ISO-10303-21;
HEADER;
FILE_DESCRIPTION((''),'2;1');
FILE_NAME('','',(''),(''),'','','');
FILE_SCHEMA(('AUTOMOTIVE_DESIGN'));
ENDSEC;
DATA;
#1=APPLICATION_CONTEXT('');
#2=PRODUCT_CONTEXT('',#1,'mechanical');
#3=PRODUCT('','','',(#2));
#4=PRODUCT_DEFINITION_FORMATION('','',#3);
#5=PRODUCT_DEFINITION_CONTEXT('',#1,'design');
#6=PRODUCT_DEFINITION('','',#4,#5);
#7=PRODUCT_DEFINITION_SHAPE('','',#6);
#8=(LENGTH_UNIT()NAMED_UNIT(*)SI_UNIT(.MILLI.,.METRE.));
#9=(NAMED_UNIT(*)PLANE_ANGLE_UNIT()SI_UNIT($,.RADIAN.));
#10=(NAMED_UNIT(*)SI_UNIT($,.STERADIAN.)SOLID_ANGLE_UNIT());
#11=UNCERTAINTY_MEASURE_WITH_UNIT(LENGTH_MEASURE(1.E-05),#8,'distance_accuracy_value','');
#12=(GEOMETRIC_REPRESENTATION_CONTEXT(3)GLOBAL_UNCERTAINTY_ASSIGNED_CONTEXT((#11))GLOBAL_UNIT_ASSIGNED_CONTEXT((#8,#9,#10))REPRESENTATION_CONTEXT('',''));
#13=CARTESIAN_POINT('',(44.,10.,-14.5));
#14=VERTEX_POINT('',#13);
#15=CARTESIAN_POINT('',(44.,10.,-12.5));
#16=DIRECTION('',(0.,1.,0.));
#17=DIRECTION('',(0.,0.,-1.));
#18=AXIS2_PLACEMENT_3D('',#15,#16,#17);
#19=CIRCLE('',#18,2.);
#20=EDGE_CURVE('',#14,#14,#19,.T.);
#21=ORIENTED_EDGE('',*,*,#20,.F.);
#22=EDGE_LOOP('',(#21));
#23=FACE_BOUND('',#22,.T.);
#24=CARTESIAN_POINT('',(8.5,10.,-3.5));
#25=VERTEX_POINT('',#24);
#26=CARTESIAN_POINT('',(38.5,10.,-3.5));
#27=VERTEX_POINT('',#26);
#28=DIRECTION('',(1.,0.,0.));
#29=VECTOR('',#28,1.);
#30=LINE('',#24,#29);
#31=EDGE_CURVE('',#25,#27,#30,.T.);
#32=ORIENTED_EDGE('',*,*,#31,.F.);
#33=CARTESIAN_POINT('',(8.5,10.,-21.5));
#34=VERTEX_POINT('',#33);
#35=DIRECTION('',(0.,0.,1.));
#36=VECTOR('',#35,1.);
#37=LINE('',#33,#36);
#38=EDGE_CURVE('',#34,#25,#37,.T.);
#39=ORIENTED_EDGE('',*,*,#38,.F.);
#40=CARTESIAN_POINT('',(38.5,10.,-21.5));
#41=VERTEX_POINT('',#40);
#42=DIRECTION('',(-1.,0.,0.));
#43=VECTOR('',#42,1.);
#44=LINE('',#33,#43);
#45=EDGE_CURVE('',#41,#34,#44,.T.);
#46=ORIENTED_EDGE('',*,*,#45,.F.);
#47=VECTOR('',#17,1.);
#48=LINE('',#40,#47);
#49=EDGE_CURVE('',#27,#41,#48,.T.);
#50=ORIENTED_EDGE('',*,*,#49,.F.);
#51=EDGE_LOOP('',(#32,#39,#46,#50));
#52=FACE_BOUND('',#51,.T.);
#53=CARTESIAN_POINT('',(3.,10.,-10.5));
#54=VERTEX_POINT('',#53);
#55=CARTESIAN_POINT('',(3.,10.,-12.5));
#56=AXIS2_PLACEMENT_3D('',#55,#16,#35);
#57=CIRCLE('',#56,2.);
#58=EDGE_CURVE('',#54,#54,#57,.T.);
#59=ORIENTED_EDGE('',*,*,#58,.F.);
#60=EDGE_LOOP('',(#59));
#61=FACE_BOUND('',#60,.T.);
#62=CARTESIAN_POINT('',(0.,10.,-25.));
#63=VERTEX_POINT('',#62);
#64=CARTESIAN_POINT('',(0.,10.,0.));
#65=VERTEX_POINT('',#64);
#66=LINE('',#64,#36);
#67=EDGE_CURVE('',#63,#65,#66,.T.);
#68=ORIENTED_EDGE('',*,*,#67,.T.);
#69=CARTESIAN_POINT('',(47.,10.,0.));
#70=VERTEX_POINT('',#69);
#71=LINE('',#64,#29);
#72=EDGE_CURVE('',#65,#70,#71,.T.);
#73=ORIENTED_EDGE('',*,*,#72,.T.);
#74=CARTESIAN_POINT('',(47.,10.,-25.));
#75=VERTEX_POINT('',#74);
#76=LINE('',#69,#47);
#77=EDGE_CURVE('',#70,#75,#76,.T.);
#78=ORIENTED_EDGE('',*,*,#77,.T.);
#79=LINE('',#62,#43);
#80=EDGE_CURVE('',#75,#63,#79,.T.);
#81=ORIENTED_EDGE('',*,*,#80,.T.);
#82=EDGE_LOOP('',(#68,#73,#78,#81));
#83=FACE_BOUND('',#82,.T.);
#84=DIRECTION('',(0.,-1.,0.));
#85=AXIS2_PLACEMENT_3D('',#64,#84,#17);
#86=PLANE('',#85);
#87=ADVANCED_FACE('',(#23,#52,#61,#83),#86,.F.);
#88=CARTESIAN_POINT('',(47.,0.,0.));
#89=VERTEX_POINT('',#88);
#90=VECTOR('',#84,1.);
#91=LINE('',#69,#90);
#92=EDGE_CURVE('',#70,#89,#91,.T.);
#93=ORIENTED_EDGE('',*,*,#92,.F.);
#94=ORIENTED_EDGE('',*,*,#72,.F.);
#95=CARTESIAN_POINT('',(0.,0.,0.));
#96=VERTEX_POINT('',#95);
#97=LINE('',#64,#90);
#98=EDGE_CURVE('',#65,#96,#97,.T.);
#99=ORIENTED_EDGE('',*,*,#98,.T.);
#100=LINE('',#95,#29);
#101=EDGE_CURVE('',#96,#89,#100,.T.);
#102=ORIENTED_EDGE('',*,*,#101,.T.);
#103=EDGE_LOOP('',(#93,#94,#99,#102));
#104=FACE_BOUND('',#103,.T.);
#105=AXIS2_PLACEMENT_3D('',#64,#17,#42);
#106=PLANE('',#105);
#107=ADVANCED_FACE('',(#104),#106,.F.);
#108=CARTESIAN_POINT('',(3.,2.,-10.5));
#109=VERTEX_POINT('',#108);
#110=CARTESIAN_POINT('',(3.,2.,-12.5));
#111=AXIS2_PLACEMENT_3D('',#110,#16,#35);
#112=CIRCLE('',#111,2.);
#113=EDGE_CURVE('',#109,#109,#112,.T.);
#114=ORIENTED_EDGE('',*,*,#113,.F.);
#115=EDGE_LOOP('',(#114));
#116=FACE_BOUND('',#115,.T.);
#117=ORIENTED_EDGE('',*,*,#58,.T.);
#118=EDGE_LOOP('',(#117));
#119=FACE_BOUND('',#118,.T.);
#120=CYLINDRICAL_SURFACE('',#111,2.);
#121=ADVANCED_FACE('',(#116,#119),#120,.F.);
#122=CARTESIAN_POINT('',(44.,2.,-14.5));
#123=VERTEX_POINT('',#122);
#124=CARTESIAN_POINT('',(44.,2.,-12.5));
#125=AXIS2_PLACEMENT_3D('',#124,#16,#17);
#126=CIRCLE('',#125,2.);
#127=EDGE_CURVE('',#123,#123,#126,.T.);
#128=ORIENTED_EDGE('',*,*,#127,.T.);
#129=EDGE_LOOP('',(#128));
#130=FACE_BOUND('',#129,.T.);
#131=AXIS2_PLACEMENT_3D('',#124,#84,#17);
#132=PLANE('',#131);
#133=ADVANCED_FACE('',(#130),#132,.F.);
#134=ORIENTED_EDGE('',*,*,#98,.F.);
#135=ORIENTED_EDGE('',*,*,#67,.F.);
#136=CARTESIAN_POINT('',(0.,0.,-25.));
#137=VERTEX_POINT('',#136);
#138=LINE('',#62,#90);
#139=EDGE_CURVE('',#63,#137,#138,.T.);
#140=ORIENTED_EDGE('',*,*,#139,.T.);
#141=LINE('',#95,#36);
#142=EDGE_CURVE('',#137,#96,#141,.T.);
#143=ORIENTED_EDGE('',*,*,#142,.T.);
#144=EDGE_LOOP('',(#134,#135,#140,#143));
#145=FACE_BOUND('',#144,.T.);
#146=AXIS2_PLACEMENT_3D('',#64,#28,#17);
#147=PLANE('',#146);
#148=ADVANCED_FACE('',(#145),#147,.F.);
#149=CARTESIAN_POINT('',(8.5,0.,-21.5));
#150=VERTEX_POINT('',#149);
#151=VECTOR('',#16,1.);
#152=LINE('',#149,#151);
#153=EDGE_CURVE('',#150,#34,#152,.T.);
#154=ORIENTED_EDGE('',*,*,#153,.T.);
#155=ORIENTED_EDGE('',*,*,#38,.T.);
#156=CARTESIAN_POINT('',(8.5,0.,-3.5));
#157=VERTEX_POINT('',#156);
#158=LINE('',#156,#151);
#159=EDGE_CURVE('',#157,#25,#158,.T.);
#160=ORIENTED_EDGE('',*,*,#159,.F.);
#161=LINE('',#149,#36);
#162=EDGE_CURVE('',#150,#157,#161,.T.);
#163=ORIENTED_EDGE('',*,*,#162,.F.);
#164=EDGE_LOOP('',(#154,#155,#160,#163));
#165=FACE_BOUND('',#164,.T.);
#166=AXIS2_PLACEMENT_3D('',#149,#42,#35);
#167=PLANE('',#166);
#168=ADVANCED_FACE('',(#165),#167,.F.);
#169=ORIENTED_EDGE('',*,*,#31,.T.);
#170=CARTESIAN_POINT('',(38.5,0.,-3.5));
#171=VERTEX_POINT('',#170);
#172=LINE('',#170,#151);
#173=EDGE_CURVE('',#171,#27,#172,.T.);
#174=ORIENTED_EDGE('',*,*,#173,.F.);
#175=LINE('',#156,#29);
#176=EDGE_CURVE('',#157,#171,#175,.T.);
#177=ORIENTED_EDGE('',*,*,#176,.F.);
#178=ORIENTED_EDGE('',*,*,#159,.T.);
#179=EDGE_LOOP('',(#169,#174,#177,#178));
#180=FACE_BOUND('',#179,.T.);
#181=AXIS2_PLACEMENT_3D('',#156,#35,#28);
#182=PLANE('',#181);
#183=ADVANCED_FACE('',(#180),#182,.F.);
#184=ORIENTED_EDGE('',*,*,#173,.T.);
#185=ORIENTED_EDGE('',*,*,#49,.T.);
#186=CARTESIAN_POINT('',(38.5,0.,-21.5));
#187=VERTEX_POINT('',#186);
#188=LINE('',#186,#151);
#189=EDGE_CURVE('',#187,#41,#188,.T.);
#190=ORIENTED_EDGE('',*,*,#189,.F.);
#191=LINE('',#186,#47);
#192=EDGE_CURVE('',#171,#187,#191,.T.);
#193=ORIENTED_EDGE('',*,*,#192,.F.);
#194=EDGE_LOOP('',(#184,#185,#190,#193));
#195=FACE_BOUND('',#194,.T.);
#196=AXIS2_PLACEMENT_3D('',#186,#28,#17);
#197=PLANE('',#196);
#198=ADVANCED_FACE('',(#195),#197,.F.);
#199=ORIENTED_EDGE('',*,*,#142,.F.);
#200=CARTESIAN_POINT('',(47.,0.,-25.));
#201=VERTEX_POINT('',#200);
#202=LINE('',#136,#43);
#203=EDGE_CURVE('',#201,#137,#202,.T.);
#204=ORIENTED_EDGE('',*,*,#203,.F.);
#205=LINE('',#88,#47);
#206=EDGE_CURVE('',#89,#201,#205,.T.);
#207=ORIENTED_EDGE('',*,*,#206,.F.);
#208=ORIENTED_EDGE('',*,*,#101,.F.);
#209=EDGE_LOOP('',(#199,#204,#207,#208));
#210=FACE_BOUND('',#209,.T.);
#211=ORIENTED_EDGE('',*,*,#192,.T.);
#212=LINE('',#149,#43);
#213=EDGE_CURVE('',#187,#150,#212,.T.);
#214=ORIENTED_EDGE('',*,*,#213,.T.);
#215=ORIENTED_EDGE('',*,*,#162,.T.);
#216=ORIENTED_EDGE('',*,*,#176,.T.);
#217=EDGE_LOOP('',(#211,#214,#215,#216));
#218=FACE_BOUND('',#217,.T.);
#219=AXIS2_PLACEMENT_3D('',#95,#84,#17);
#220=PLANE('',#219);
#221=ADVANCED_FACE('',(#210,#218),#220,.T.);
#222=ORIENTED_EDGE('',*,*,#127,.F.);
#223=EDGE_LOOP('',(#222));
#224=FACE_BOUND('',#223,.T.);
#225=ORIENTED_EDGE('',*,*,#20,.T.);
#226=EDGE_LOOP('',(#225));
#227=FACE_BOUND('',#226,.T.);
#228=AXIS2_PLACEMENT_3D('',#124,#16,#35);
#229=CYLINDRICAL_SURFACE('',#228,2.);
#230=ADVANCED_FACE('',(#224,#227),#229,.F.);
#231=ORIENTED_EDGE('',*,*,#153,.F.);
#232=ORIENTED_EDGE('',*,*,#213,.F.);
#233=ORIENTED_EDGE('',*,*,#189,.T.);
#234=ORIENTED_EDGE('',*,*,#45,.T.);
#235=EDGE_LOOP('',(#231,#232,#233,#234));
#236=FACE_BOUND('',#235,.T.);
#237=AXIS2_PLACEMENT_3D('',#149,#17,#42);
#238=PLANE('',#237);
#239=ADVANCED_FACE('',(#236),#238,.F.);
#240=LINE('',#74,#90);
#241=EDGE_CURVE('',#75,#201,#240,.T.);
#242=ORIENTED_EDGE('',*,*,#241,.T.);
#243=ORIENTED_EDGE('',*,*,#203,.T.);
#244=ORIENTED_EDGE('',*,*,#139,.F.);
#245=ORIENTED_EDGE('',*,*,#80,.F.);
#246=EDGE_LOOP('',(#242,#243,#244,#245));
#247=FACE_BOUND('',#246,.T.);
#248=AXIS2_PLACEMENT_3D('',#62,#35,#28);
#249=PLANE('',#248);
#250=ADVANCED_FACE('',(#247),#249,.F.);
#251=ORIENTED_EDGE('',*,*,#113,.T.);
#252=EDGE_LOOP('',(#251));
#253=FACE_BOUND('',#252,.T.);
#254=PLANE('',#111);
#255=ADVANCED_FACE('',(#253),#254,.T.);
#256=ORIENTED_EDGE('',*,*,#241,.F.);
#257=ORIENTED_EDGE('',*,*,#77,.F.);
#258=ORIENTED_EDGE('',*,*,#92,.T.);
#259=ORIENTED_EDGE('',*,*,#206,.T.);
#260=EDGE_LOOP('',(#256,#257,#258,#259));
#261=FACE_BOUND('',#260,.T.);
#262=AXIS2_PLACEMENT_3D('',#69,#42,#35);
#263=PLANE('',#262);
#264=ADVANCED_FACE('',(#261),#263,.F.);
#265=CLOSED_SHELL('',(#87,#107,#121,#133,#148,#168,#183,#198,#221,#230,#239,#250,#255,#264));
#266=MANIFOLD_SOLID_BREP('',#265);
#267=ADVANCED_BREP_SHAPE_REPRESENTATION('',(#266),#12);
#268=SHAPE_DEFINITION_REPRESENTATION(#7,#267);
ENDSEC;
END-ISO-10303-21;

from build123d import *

# Parameters (mm, degrees)
SKETCH1_W           = 47
SKETCH1_H           = 25
BOSS_EXTRUDE1_DEPTH = 10
SKETCH2_R           = 2
CUT_EXTRUDE1_DEPTH  = 8
SKETCH5_W           = 30
SKETCH5_H           = 18
CUT_EXTRUDE2_DEPTH  = 10


with BuildPart() as part:
    # Sketch1 → Boss-Extrude1 (new body)
    with BuildSketch(Plane(origin=(0, 0, 0), x_dir=(1, 0, 0), z_dir=(0, 1, 0))):
        with Locations((23.5, 12.5)):
            Rectangle(SKETCH1_W, SKETCH1_H)
    extrude(amount=BOSS_EXTRUDE1_DEPTH)

    # Sketch2 → Cut-Extrude1 (cut)
    with BuildSketch(Plane(origin=(0, 10, 0), x_dir=(1, 0, 0), z_dir=(0, 1, 0))):
        with Locations((3, 12.5)):
            Circle(SKETCH2_R)
        with Locations((44, 12.5)):
            Circle(SKETCH2_R)
    extrude(amount=-CUT_EXTRUDE1_DEPTH, mode=Mode.SUBTRACT)

    # Sketch5 → Cut-Extrude2 (cut)
    with BuildSketch(Plane(origin=(0, 10, 0), x_dir=(1, 0, 0), z_dir=(0, 1, 0))):
        with Locations((23.5, 12.5)):
            Rectangle(SKETCH5_W, SKETCH5_H)
    extrude(amount=-CUT_EXTRUDE2_DEPTH, mode=Mode.SUBTRACT)


solid = part.part
